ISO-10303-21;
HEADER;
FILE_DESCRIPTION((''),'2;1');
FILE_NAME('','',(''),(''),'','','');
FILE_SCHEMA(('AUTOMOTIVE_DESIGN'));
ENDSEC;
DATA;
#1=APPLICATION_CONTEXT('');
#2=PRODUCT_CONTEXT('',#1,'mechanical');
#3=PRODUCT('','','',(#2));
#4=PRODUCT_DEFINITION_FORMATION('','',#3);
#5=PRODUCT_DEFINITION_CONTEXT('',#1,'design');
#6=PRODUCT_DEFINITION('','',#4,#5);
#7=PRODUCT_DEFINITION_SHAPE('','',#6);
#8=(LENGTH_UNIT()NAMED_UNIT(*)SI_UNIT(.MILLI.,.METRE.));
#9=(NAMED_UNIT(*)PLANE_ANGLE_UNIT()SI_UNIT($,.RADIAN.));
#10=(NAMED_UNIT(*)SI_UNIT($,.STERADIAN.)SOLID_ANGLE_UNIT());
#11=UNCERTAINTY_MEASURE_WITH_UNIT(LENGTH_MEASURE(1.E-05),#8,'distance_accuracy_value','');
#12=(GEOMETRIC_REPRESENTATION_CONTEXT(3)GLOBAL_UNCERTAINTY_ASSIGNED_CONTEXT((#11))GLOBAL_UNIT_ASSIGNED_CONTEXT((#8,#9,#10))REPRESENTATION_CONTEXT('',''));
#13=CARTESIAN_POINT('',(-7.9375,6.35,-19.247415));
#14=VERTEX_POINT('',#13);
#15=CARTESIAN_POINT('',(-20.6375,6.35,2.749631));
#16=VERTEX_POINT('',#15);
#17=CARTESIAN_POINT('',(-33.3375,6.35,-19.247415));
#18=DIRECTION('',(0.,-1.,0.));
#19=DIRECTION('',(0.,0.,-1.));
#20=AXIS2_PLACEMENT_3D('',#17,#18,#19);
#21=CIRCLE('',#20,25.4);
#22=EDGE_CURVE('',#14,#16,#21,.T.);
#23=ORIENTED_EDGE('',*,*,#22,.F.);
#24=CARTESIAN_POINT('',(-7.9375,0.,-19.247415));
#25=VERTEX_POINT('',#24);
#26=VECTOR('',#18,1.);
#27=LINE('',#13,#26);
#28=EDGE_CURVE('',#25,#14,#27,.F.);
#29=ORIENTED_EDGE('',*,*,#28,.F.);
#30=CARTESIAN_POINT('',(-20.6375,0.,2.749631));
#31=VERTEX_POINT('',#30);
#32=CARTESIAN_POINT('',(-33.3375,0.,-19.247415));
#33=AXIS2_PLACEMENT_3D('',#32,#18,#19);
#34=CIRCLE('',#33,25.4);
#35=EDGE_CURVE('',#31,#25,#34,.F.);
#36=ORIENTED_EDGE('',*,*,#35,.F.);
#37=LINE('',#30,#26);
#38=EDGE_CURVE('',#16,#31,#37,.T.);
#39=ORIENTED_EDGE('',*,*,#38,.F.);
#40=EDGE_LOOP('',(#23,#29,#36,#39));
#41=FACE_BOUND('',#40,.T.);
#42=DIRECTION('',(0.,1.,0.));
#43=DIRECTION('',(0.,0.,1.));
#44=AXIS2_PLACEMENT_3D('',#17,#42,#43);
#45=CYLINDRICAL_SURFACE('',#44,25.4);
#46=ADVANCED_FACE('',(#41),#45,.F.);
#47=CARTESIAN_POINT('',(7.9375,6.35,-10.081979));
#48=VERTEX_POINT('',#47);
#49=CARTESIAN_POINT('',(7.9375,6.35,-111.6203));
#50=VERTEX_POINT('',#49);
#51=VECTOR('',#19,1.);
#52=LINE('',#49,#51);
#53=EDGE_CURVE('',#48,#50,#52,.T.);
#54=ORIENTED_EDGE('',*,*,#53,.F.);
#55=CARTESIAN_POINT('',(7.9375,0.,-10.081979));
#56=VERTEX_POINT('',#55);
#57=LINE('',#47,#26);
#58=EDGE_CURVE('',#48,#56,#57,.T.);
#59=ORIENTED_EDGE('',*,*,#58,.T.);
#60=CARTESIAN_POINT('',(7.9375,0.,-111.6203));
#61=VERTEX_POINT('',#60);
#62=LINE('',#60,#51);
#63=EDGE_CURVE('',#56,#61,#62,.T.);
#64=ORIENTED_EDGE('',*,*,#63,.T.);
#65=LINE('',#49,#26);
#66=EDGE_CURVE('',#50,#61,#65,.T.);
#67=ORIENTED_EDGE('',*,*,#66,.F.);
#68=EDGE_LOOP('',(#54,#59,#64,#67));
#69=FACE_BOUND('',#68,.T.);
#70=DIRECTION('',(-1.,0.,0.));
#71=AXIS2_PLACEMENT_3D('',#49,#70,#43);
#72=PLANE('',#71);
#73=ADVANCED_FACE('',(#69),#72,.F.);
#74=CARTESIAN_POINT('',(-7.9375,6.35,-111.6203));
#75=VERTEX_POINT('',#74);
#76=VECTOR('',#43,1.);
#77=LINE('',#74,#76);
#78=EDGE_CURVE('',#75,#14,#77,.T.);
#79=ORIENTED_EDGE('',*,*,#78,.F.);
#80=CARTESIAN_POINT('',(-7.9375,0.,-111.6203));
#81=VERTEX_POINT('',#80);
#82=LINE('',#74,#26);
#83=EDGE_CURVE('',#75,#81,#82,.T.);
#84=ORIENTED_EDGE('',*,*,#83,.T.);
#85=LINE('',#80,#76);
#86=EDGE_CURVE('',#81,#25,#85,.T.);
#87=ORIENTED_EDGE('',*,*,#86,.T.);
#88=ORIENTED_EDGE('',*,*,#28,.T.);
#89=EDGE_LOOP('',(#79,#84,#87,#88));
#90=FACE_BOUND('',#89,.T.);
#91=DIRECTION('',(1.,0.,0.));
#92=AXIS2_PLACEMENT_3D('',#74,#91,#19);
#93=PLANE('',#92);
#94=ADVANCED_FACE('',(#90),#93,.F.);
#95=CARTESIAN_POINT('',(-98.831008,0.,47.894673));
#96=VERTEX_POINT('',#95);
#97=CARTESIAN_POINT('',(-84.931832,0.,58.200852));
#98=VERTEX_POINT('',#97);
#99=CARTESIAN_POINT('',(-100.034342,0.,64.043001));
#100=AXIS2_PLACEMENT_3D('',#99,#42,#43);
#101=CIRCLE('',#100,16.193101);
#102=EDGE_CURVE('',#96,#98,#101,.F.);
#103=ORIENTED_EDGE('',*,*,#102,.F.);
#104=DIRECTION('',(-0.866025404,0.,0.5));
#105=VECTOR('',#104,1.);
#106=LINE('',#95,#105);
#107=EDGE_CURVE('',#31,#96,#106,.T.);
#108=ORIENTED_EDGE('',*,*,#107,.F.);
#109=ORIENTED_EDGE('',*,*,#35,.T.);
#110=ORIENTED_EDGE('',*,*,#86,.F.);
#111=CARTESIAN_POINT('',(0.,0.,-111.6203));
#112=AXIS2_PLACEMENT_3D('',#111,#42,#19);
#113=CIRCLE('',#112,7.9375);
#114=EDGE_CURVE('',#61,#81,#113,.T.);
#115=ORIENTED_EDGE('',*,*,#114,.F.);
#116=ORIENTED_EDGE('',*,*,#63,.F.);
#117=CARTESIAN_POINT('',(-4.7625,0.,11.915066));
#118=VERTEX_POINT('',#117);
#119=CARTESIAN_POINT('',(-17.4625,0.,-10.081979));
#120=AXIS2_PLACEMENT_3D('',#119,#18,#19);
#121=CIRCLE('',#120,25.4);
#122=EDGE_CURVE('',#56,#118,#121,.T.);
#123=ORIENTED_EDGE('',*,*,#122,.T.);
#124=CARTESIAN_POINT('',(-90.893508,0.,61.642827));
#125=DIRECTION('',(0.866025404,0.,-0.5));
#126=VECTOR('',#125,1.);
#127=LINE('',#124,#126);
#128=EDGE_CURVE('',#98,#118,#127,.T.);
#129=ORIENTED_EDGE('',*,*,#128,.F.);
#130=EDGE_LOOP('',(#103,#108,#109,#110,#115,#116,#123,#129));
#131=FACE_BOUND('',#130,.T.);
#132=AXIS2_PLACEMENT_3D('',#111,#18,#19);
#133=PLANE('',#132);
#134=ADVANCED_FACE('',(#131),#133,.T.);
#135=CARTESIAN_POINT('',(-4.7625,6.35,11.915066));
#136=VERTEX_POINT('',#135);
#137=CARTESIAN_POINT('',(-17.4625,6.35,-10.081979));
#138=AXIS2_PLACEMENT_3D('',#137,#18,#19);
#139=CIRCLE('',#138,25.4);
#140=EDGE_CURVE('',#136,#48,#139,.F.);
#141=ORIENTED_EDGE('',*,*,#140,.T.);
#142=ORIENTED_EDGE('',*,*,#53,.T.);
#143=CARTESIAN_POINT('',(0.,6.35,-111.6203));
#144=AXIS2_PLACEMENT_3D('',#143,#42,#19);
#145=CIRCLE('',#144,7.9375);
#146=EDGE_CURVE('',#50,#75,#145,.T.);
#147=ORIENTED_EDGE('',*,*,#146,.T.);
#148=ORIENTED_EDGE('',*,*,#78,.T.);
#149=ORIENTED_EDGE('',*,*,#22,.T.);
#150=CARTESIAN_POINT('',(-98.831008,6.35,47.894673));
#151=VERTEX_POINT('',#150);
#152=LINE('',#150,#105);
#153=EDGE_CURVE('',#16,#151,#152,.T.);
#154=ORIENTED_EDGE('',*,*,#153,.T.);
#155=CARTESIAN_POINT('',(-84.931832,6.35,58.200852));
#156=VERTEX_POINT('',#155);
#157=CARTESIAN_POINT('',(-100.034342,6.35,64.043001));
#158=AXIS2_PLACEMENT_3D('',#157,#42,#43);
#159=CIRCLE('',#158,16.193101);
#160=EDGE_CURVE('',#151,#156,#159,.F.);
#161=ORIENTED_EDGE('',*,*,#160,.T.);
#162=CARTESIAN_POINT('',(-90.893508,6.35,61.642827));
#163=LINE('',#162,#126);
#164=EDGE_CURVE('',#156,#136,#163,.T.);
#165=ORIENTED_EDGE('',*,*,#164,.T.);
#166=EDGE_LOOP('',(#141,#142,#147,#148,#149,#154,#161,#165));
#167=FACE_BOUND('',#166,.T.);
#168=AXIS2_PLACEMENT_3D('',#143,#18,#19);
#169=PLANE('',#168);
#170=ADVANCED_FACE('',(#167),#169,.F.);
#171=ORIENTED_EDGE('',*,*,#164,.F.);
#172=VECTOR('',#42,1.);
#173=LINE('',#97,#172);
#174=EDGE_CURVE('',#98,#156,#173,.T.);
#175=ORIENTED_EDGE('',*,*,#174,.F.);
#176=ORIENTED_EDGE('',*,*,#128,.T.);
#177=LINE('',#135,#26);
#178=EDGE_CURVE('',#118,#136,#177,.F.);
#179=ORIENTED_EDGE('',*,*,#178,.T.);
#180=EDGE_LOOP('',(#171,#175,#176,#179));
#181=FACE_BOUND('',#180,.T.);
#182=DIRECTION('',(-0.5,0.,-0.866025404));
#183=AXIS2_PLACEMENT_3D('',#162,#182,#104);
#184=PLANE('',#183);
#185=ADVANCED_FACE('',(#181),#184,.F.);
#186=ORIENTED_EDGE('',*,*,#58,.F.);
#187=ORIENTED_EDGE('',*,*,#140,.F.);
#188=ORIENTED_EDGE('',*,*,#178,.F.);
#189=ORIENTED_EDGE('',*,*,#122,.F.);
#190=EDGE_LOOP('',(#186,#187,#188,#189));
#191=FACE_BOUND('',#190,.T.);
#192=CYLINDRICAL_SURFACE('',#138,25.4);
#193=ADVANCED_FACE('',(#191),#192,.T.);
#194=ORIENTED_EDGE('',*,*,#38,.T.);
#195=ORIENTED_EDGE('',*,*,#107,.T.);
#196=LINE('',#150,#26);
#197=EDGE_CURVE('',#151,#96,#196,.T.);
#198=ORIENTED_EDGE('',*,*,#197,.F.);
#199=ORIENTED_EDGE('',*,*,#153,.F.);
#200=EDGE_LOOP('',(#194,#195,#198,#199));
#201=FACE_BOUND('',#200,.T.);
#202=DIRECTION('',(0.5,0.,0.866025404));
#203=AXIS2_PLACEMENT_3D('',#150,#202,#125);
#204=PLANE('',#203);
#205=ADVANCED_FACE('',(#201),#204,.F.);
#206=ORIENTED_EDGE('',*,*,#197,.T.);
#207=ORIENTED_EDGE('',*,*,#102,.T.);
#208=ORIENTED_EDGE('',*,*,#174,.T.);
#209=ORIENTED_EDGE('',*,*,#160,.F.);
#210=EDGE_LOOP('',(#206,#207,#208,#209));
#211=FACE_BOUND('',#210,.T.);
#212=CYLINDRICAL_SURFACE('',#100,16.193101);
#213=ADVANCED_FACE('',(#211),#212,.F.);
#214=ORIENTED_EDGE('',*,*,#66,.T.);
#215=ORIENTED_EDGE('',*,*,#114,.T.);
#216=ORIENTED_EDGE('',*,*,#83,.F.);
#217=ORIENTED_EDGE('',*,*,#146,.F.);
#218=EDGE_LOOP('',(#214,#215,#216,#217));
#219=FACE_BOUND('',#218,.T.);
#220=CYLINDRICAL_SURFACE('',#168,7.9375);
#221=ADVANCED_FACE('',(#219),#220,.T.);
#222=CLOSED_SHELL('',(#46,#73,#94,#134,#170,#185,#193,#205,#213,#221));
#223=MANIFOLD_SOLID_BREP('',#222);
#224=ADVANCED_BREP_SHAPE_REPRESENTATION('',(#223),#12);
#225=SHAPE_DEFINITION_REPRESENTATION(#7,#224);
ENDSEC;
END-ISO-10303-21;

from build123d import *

# Parameters (mm, degrees)
BOSS_EXTRUDE1_DEPTH = 6.35
CUT_EXTRUDE1_DEPTH  = 158.804246512
FILLET1_R           = 25.4


with BuildPart() as part:
    # Sketch1 → Boss-Extrude1 (new body)
    with BuildSketch(Plane(origin=(0, 0, 0), x_dir=(1, 0, 0), z_dir=(0, 1, 0))):
        with BuildLine():
            Line((7.9375, 111.6203), (7.9375, -4.582717762))
            Line((7.9375, -4.582717762), (-90.893507667, -61.642826643))
            ThreePointArc((-90.893507667, -61.642826643), (-101.73633431, -58.7375), (-98.831007667, -47.894673357))
            Line((-98.831007667, -47.894673357), (-7.9375, 4.582717762))
            Line((-7.9375, 4.582717762), (-7.9375, 111.6203))
            ThreePointArc((-7.9375, 111.6203), (0, 119.5578), (7.9375, 111.6203))
        make_face()
    extrude(amount=BOSS_EXTRUDE1_DEPTH)

    # Sketch2 → Cut-Extrude1 (cut, through all)
    with BuildSketch(Plane(origin=(0, 6.35, 0), x_dir=(1, 0, 0), z_dir=(0, 1, 0))):
        with BuildLine():
            Line((-90.893507667, -61.642826643), (-84.931832215, -58.200851716))
            ThreePointArc((-84.931832215, -58.200851716), (-90.389422779, -51.035617044), (-98.831007667, -47.894673357))
            ThreePointArc((-98.831007667, -47.894673357), (-101.73633431, -58.7375), (-90.893507667, -61.642826643))
        make_face()
    extrude(amount=-CUT_EXTRUDE1_DEPTH, mode=Mode.SUBTRACT)

    # Fillet1
    fillet1_edges = [part.edges().sort_by_distance(p)[0] for p in [
        (7.9375, 3.175, 4.582717762),
        (-7.9375, 3.175, -4.582717762),
    ]]
    fillet(fillet1_edges, radius=FILLET1_R)


solid = part.part
